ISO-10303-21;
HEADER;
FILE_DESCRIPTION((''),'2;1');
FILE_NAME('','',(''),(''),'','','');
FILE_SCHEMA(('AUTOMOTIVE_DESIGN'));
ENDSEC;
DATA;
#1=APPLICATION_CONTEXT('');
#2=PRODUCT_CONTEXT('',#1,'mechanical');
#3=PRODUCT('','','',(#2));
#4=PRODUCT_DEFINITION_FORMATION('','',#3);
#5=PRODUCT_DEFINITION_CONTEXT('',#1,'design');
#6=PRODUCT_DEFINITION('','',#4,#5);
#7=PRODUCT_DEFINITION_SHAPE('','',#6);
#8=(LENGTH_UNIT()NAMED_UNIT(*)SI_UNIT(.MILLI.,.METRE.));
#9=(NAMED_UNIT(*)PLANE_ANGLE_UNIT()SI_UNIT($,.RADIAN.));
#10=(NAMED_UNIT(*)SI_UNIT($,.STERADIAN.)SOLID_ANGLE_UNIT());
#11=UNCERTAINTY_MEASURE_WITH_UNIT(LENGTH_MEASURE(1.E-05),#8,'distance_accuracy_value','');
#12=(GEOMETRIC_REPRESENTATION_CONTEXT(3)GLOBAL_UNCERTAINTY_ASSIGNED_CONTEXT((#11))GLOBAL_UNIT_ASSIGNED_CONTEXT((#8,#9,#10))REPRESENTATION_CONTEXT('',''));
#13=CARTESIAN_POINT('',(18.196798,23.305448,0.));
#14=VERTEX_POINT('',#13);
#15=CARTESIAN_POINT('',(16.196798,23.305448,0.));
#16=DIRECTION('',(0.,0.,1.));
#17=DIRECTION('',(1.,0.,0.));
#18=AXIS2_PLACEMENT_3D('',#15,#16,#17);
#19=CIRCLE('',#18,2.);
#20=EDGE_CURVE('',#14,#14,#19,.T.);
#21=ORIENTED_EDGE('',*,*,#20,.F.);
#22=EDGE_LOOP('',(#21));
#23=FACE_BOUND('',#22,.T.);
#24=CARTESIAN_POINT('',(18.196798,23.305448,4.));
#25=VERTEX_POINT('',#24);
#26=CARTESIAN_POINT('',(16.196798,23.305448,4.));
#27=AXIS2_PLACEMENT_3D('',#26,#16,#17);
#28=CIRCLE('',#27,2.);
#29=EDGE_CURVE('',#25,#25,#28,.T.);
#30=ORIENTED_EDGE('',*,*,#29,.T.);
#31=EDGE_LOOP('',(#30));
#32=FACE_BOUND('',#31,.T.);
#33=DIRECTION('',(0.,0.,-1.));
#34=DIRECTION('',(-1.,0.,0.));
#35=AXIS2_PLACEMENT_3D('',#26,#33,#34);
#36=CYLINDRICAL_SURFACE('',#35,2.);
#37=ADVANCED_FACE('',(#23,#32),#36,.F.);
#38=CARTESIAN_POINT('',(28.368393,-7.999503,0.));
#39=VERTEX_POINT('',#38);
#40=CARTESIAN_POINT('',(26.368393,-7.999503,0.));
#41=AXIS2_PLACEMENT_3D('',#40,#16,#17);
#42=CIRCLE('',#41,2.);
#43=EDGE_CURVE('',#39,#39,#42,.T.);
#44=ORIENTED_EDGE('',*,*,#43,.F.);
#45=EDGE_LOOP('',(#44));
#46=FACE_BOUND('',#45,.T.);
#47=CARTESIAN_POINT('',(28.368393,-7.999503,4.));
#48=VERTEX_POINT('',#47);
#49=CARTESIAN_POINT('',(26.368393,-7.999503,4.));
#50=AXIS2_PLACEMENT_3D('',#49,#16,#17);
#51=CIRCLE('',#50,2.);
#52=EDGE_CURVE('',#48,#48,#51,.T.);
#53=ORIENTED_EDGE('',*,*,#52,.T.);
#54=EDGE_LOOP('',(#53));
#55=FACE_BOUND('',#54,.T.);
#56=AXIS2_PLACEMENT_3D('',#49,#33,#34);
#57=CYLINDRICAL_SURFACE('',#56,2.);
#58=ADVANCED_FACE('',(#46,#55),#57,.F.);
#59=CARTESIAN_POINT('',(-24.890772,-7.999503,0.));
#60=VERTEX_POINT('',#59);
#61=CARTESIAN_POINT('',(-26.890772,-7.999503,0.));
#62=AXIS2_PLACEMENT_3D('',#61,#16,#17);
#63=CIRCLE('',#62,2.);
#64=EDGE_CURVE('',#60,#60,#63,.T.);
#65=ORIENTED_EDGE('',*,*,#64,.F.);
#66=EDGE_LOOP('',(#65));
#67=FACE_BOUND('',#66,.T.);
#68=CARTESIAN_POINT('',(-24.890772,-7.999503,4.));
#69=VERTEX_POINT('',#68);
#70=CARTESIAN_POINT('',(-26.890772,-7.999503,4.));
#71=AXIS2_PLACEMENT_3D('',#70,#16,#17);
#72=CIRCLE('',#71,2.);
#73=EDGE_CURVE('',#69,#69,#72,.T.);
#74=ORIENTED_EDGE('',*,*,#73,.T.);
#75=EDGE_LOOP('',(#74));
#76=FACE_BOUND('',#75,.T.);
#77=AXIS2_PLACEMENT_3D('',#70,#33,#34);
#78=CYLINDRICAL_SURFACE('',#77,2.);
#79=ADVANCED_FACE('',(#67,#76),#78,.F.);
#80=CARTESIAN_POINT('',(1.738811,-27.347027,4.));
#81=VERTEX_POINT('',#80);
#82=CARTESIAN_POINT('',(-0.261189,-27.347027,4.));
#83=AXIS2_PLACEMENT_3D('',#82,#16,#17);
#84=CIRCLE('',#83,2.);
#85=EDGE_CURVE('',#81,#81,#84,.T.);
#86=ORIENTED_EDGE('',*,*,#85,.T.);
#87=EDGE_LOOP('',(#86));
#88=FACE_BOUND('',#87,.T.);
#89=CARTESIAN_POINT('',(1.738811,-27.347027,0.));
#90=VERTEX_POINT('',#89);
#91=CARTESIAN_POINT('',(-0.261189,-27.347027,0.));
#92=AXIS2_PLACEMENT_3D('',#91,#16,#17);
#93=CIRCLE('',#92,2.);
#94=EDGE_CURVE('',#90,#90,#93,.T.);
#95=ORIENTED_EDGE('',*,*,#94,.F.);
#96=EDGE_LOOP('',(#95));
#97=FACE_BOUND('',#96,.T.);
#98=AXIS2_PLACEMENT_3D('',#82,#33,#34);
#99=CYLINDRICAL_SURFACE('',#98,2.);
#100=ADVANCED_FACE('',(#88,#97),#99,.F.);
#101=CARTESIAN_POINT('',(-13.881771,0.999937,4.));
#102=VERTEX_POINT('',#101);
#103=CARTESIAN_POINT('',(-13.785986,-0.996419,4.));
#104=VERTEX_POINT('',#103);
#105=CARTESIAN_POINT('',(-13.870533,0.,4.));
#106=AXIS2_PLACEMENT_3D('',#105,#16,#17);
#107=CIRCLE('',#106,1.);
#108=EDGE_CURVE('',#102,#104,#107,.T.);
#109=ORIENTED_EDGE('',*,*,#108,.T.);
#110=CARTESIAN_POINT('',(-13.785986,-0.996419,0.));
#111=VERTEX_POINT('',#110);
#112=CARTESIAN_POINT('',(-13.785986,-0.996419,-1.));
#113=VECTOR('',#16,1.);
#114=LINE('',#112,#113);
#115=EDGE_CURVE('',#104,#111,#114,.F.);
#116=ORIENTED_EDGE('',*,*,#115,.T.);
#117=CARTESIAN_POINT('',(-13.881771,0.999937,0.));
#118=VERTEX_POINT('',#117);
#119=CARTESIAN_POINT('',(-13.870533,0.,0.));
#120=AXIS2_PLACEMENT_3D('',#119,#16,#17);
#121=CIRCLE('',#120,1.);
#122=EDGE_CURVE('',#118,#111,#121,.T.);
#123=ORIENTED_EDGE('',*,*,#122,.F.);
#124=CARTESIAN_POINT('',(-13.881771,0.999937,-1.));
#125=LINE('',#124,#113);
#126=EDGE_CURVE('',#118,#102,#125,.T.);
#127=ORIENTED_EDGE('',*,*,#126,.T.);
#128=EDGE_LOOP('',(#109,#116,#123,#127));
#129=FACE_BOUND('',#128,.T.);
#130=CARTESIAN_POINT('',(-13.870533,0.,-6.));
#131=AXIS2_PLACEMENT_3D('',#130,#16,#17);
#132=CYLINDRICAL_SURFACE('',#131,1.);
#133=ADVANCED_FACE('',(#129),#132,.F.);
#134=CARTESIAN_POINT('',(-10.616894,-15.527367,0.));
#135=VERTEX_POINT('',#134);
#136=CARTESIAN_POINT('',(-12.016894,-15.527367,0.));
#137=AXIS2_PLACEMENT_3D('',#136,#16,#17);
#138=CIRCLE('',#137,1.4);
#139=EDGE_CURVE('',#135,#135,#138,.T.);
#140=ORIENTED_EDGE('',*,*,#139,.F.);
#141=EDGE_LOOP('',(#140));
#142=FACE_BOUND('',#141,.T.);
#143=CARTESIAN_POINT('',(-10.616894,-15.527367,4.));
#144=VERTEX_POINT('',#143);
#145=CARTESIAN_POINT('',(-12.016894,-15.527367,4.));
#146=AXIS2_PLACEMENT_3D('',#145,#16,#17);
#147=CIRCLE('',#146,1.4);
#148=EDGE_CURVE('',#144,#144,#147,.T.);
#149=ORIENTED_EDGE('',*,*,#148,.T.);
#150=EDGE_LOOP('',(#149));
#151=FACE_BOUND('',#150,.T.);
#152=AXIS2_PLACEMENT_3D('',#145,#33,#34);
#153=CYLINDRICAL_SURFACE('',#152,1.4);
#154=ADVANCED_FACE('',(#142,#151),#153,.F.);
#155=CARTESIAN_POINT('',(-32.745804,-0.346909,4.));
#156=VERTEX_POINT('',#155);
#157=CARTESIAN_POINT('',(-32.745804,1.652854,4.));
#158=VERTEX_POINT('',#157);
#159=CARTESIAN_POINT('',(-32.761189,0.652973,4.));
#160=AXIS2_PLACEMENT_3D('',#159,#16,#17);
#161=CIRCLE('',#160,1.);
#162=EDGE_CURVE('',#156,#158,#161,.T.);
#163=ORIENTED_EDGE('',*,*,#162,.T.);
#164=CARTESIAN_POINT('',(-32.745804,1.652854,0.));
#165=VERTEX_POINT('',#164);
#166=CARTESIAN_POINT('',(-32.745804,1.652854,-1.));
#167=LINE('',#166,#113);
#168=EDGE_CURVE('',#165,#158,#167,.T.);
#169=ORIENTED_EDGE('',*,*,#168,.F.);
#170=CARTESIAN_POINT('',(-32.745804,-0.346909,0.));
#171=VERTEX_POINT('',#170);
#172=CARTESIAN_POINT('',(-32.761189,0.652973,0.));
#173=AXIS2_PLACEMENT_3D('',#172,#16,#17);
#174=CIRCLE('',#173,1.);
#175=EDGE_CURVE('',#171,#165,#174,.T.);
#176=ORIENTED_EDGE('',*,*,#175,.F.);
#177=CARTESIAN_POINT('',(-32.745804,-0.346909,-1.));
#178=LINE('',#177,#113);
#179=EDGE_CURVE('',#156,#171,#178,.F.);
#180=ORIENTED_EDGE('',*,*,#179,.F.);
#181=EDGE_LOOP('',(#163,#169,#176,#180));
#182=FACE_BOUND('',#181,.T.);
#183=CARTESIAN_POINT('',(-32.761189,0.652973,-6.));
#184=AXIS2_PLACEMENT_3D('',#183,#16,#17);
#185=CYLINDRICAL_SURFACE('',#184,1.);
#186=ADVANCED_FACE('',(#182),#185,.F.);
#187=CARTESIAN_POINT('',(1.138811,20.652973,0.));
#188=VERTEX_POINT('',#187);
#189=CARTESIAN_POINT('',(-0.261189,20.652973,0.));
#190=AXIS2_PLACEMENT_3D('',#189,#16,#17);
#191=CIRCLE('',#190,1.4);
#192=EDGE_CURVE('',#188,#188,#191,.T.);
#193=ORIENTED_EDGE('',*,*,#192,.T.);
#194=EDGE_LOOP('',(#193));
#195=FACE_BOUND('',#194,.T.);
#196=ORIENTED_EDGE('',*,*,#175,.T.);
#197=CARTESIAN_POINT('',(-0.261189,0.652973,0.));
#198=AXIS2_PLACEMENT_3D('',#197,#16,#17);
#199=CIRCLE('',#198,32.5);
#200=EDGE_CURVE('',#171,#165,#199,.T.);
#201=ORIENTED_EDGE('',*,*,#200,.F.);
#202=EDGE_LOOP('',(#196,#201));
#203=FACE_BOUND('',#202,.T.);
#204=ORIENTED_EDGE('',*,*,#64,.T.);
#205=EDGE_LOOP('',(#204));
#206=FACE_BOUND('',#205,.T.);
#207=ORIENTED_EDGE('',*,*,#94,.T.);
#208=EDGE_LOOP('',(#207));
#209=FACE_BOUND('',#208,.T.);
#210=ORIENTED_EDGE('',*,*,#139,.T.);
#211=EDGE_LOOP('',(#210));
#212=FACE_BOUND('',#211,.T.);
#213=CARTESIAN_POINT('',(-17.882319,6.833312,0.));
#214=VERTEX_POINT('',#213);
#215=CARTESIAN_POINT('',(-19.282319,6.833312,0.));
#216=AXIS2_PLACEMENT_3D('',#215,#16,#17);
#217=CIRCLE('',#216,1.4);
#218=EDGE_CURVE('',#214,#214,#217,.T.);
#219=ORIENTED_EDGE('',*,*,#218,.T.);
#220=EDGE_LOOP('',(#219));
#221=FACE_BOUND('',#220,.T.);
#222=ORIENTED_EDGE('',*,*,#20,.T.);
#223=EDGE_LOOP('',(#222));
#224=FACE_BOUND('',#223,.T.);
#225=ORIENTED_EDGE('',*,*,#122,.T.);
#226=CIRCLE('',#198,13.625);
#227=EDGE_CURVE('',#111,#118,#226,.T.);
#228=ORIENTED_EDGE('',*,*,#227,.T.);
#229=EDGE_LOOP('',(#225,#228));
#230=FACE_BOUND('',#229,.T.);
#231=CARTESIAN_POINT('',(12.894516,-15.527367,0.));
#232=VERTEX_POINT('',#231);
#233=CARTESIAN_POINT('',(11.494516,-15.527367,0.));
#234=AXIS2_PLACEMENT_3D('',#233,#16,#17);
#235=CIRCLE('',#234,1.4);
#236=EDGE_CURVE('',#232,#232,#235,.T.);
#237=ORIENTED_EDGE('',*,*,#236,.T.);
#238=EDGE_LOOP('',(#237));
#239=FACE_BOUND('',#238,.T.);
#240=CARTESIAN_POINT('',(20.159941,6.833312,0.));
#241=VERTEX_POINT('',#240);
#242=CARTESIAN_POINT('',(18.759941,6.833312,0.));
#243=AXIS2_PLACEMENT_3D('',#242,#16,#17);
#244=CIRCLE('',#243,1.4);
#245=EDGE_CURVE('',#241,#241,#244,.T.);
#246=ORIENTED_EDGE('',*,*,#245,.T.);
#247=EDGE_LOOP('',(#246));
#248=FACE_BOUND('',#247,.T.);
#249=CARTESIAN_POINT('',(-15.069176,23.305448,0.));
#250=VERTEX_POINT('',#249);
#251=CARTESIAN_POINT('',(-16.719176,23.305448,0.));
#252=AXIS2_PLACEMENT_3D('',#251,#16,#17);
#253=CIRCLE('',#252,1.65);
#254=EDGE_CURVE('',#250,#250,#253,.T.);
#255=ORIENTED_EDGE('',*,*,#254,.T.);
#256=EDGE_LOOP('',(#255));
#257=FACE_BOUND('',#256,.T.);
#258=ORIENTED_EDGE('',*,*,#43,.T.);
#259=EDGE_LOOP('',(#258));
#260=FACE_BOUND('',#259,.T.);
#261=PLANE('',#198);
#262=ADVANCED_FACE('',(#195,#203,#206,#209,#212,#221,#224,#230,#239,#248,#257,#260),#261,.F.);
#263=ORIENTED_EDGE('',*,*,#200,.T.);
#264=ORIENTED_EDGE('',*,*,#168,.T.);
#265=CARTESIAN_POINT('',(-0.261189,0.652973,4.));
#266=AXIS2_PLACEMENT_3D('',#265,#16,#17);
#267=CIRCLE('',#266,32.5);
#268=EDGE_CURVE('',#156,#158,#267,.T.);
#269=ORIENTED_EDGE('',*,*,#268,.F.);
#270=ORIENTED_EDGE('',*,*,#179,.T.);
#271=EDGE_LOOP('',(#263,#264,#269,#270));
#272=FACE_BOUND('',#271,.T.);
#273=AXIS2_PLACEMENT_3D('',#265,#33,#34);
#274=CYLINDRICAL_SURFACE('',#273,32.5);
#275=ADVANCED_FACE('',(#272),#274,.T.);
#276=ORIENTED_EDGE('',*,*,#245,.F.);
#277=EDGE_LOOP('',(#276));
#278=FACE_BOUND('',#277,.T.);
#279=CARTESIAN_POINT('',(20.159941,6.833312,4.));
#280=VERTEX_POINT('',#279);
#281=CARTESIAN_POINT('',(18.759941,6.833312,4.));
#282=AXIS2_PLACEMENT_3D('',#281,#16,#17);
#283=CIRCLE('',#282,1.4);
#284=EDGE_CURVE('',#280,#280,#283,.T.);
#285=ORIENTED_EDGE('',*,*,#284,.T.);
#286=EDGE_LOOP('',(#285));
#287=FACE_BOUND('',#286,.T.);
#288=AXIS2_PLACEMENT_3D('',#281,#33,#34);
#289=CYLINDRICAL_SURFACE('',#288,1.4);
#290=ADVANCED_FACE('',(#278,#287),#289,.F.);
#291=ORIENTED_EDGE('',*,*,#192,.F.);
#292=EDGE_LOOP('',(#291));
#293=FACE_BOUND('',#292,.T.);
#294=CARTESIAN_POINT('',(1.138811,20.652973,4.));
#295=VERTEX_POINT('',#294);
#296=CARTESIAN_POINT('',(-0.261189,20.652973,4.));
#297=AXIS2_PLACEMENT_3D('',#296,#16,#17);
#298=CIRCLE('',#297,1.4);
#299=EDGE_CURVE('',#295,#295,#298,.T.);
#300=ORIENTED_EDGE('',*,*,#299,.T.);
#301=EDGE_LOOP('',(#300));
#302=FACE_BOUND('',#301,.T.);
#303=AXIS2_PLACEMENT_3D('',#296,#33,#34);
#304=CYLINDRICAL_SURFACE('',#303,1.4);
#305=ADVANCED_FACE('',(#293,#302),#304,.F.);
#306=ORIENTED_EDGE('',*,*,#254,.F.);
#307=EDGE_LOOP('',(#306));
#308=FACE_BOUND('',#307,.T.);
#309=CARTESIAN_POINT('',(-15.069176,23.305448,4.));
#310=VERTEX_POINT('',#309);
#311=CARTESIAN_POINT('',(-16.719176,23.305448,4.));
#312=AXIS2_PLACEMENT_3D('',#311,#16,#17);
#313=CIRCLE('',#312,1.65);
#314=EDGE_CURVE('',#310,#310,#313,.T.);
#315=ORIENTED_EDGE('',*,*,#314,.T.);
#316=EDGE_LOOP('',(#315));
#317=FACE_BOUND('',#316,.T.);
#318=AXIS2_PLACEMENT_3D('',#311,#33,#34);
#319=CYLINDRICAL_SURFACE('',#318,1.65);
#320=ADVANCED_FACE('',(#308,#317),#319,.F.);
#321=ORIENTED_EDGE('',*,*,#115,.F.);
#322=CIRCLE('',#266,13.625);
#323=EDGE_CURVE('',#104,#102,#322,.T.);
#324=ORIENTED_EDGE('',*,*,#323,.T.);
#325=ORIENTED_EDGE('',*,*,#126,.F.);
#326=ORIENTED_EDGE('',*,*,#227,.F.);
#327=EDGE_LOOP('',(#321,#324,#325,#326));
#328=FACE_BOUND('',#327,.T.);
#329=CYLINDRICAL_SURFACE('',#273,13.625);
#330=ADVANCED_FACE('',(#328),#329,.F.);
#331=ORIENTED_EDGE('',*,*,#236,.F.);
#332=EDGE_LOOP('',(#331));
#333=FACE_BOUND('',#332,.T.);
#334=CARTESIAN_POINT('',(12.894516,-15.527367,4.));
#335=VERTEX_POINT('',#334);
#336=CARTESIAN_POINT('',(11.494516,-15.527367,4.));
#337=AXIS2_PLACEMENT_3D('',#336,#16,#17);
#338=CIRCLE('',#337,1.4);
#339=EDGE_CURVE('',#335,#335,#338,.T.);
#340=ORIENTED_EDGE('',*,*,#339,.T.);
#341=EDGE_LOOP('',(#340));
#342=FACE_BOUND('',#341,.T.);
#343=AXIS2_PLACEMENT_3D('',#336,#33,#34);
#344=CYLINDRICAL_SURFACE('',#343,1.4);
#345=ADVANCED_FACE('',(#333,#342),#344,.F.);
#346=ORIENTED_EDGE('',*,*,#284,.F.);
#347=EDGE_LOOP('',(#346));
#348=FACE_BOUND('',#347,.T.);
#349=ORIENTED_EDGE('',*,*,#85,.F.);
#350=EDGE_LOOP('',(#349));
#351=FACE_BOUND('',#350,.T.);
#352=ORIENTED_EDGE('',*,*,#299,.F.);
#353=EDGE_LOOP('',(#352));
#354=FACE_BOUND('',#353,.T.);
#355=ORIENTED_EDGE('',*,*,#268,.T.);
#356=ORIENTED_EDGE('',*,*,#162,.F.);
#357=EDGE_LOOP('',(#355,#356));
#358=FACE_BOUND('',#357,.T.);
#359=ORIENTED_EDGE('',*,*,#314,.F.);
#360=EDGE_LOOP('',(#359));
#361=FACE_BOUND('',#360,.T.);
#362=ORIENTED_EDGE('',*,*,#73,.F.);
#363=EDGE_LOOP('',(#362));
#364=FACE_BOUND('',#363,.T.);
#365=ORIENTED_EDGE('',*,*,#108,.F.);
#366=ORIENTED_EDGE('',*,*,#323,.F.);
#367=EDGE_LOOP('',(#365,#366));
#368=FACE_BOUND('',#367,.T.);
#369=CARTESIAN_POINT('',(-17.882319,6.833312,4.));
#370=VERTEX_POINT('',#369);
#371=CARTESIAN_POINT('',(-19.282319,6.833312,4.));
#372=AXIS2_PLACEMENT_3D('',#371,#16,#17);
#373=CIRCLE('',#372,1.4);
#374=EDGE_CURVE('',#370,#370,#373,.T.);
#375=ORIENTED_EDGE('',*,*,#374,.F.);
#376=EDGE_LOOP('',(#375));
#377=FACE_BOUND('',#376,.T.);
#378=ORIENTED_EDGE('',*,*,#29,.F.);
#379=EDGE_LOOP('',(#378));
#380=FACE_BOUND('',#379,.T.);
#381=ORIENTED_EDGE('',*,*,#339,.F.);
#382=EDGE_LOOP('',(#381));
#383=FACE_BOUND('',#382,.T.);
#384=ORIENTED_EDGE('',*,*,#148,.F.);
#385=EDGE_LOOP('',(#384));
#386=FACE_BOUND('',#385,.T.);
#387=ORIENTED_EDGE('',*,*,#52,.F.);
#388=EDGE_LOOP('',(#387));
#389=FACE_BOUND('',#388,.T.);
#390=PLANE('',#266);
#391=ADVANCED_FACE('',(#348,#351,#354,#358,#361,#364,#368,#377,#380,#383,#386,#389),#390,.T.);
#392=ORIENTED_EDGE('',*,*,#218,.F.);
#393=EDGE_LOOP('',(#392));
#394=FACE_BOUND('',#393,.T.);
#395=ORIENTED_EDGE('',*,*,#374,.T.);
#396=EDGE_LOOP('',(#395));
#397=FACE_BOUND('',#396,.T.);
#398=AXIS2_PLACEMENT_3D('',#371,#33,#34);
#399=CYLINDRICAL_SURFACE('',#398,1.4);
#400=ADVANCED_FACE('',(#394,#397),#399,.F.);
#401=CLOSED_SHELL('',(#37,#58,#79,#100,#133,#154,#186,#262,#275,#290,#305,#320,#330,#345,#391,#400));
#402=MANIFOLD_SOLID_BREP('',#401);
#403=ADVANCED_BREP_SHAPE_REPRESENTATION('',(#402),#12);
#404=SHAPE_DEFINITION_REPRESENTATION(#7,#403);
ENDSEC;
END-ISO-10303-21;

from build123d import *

# Parameters (mm, degrees)
SKETCH_1_R          = 32.5
SKETCH_1_R_2        = 13.625
SKETCH_1_R_3        = 2
SKETCH_1_R_4        = 1.65
SKETCH_1_R_5        = 1.4
EXTRUDE_1_DEPTH     = 4
SKETCH_2_R          = 1
CUT_EXTRUDE_1_DEPTH = 10


with BuildPart() as part:
    # 草图1 → 凸台-拉伸1 (new body)
    with BuildSketch(Plane.XY):
        with Locations((-0.261189045, 0.652972612)):
            Circle(SKETCH_1_R)
        with Locations((-0.261189045, 0.652972612)):
            Circle(SKETCH_1_R_2, mode=Mode.SUBTRACT)
        with Locations((-0.261189045, -27.347027388)):
            Circle(SKETCH_1_R_3, mode=Mode.SUBTRACT)
        with Locations((-26.890771501, -7.999503231)):
            Circle(SKETCH_1_R_3, mode=Mode.SUBTRACT)
        with Locations((-16.719176109, 23.305448454)):
            Circle(SKETCH_1_R_4, mode=Mode.SUBTRACT)
        with Locations((16.196798019, 23.305448454)):
            Circle(SKETCH_1_R_3, mode=Mode.SUBTRACT)
        with Locations((26.368393412, -7.999503231)):
            Circle(SKETCH_1_R_3, mode=Mode.SUBTRACT)
        with Locations((-12.016894091, -15.527367276)):
            Circle(SKETCH_1_R_5, mode=Mode.SUBTRACT)
        with Locations((-19.282319371, 6.833312499)):
            Circle(SKETCH_1_R_5, mode=Mode.SUBTRACT)
        with Locations((-0.261189045, 20.652972612)):
            Circle(SKETCH_1_R_5, mode=Mode.SUBTRACT)
        with Locations((18.759941281, 6.833312499)):
            Circle(SKETCH_1_R_5, mode=Mode.SUBTRACT)
        with Locations((11.494516001, -15.527367276)):
            Circle(SKETCH_1_R_5, mode=Mode.SUBTRACT)
    extrude(amount=EXTRUDE_1_DEPTH)

    # 草图2 → 切除-拉伸1 (cut)
    with BuildSketch(Plane.XY.offset(4)):
        with Locations((-13.870533326, 0)):
            Circle(SKETCH_2_R)
        with Locations((-32.761189045, 0.652972612)):
            Circle(SKETCH_2_R)
    extrude(amount=-CUT_EXTRUDE_1_DEPTH, mode=Mode.SUBTRACT)


solid = part.part
